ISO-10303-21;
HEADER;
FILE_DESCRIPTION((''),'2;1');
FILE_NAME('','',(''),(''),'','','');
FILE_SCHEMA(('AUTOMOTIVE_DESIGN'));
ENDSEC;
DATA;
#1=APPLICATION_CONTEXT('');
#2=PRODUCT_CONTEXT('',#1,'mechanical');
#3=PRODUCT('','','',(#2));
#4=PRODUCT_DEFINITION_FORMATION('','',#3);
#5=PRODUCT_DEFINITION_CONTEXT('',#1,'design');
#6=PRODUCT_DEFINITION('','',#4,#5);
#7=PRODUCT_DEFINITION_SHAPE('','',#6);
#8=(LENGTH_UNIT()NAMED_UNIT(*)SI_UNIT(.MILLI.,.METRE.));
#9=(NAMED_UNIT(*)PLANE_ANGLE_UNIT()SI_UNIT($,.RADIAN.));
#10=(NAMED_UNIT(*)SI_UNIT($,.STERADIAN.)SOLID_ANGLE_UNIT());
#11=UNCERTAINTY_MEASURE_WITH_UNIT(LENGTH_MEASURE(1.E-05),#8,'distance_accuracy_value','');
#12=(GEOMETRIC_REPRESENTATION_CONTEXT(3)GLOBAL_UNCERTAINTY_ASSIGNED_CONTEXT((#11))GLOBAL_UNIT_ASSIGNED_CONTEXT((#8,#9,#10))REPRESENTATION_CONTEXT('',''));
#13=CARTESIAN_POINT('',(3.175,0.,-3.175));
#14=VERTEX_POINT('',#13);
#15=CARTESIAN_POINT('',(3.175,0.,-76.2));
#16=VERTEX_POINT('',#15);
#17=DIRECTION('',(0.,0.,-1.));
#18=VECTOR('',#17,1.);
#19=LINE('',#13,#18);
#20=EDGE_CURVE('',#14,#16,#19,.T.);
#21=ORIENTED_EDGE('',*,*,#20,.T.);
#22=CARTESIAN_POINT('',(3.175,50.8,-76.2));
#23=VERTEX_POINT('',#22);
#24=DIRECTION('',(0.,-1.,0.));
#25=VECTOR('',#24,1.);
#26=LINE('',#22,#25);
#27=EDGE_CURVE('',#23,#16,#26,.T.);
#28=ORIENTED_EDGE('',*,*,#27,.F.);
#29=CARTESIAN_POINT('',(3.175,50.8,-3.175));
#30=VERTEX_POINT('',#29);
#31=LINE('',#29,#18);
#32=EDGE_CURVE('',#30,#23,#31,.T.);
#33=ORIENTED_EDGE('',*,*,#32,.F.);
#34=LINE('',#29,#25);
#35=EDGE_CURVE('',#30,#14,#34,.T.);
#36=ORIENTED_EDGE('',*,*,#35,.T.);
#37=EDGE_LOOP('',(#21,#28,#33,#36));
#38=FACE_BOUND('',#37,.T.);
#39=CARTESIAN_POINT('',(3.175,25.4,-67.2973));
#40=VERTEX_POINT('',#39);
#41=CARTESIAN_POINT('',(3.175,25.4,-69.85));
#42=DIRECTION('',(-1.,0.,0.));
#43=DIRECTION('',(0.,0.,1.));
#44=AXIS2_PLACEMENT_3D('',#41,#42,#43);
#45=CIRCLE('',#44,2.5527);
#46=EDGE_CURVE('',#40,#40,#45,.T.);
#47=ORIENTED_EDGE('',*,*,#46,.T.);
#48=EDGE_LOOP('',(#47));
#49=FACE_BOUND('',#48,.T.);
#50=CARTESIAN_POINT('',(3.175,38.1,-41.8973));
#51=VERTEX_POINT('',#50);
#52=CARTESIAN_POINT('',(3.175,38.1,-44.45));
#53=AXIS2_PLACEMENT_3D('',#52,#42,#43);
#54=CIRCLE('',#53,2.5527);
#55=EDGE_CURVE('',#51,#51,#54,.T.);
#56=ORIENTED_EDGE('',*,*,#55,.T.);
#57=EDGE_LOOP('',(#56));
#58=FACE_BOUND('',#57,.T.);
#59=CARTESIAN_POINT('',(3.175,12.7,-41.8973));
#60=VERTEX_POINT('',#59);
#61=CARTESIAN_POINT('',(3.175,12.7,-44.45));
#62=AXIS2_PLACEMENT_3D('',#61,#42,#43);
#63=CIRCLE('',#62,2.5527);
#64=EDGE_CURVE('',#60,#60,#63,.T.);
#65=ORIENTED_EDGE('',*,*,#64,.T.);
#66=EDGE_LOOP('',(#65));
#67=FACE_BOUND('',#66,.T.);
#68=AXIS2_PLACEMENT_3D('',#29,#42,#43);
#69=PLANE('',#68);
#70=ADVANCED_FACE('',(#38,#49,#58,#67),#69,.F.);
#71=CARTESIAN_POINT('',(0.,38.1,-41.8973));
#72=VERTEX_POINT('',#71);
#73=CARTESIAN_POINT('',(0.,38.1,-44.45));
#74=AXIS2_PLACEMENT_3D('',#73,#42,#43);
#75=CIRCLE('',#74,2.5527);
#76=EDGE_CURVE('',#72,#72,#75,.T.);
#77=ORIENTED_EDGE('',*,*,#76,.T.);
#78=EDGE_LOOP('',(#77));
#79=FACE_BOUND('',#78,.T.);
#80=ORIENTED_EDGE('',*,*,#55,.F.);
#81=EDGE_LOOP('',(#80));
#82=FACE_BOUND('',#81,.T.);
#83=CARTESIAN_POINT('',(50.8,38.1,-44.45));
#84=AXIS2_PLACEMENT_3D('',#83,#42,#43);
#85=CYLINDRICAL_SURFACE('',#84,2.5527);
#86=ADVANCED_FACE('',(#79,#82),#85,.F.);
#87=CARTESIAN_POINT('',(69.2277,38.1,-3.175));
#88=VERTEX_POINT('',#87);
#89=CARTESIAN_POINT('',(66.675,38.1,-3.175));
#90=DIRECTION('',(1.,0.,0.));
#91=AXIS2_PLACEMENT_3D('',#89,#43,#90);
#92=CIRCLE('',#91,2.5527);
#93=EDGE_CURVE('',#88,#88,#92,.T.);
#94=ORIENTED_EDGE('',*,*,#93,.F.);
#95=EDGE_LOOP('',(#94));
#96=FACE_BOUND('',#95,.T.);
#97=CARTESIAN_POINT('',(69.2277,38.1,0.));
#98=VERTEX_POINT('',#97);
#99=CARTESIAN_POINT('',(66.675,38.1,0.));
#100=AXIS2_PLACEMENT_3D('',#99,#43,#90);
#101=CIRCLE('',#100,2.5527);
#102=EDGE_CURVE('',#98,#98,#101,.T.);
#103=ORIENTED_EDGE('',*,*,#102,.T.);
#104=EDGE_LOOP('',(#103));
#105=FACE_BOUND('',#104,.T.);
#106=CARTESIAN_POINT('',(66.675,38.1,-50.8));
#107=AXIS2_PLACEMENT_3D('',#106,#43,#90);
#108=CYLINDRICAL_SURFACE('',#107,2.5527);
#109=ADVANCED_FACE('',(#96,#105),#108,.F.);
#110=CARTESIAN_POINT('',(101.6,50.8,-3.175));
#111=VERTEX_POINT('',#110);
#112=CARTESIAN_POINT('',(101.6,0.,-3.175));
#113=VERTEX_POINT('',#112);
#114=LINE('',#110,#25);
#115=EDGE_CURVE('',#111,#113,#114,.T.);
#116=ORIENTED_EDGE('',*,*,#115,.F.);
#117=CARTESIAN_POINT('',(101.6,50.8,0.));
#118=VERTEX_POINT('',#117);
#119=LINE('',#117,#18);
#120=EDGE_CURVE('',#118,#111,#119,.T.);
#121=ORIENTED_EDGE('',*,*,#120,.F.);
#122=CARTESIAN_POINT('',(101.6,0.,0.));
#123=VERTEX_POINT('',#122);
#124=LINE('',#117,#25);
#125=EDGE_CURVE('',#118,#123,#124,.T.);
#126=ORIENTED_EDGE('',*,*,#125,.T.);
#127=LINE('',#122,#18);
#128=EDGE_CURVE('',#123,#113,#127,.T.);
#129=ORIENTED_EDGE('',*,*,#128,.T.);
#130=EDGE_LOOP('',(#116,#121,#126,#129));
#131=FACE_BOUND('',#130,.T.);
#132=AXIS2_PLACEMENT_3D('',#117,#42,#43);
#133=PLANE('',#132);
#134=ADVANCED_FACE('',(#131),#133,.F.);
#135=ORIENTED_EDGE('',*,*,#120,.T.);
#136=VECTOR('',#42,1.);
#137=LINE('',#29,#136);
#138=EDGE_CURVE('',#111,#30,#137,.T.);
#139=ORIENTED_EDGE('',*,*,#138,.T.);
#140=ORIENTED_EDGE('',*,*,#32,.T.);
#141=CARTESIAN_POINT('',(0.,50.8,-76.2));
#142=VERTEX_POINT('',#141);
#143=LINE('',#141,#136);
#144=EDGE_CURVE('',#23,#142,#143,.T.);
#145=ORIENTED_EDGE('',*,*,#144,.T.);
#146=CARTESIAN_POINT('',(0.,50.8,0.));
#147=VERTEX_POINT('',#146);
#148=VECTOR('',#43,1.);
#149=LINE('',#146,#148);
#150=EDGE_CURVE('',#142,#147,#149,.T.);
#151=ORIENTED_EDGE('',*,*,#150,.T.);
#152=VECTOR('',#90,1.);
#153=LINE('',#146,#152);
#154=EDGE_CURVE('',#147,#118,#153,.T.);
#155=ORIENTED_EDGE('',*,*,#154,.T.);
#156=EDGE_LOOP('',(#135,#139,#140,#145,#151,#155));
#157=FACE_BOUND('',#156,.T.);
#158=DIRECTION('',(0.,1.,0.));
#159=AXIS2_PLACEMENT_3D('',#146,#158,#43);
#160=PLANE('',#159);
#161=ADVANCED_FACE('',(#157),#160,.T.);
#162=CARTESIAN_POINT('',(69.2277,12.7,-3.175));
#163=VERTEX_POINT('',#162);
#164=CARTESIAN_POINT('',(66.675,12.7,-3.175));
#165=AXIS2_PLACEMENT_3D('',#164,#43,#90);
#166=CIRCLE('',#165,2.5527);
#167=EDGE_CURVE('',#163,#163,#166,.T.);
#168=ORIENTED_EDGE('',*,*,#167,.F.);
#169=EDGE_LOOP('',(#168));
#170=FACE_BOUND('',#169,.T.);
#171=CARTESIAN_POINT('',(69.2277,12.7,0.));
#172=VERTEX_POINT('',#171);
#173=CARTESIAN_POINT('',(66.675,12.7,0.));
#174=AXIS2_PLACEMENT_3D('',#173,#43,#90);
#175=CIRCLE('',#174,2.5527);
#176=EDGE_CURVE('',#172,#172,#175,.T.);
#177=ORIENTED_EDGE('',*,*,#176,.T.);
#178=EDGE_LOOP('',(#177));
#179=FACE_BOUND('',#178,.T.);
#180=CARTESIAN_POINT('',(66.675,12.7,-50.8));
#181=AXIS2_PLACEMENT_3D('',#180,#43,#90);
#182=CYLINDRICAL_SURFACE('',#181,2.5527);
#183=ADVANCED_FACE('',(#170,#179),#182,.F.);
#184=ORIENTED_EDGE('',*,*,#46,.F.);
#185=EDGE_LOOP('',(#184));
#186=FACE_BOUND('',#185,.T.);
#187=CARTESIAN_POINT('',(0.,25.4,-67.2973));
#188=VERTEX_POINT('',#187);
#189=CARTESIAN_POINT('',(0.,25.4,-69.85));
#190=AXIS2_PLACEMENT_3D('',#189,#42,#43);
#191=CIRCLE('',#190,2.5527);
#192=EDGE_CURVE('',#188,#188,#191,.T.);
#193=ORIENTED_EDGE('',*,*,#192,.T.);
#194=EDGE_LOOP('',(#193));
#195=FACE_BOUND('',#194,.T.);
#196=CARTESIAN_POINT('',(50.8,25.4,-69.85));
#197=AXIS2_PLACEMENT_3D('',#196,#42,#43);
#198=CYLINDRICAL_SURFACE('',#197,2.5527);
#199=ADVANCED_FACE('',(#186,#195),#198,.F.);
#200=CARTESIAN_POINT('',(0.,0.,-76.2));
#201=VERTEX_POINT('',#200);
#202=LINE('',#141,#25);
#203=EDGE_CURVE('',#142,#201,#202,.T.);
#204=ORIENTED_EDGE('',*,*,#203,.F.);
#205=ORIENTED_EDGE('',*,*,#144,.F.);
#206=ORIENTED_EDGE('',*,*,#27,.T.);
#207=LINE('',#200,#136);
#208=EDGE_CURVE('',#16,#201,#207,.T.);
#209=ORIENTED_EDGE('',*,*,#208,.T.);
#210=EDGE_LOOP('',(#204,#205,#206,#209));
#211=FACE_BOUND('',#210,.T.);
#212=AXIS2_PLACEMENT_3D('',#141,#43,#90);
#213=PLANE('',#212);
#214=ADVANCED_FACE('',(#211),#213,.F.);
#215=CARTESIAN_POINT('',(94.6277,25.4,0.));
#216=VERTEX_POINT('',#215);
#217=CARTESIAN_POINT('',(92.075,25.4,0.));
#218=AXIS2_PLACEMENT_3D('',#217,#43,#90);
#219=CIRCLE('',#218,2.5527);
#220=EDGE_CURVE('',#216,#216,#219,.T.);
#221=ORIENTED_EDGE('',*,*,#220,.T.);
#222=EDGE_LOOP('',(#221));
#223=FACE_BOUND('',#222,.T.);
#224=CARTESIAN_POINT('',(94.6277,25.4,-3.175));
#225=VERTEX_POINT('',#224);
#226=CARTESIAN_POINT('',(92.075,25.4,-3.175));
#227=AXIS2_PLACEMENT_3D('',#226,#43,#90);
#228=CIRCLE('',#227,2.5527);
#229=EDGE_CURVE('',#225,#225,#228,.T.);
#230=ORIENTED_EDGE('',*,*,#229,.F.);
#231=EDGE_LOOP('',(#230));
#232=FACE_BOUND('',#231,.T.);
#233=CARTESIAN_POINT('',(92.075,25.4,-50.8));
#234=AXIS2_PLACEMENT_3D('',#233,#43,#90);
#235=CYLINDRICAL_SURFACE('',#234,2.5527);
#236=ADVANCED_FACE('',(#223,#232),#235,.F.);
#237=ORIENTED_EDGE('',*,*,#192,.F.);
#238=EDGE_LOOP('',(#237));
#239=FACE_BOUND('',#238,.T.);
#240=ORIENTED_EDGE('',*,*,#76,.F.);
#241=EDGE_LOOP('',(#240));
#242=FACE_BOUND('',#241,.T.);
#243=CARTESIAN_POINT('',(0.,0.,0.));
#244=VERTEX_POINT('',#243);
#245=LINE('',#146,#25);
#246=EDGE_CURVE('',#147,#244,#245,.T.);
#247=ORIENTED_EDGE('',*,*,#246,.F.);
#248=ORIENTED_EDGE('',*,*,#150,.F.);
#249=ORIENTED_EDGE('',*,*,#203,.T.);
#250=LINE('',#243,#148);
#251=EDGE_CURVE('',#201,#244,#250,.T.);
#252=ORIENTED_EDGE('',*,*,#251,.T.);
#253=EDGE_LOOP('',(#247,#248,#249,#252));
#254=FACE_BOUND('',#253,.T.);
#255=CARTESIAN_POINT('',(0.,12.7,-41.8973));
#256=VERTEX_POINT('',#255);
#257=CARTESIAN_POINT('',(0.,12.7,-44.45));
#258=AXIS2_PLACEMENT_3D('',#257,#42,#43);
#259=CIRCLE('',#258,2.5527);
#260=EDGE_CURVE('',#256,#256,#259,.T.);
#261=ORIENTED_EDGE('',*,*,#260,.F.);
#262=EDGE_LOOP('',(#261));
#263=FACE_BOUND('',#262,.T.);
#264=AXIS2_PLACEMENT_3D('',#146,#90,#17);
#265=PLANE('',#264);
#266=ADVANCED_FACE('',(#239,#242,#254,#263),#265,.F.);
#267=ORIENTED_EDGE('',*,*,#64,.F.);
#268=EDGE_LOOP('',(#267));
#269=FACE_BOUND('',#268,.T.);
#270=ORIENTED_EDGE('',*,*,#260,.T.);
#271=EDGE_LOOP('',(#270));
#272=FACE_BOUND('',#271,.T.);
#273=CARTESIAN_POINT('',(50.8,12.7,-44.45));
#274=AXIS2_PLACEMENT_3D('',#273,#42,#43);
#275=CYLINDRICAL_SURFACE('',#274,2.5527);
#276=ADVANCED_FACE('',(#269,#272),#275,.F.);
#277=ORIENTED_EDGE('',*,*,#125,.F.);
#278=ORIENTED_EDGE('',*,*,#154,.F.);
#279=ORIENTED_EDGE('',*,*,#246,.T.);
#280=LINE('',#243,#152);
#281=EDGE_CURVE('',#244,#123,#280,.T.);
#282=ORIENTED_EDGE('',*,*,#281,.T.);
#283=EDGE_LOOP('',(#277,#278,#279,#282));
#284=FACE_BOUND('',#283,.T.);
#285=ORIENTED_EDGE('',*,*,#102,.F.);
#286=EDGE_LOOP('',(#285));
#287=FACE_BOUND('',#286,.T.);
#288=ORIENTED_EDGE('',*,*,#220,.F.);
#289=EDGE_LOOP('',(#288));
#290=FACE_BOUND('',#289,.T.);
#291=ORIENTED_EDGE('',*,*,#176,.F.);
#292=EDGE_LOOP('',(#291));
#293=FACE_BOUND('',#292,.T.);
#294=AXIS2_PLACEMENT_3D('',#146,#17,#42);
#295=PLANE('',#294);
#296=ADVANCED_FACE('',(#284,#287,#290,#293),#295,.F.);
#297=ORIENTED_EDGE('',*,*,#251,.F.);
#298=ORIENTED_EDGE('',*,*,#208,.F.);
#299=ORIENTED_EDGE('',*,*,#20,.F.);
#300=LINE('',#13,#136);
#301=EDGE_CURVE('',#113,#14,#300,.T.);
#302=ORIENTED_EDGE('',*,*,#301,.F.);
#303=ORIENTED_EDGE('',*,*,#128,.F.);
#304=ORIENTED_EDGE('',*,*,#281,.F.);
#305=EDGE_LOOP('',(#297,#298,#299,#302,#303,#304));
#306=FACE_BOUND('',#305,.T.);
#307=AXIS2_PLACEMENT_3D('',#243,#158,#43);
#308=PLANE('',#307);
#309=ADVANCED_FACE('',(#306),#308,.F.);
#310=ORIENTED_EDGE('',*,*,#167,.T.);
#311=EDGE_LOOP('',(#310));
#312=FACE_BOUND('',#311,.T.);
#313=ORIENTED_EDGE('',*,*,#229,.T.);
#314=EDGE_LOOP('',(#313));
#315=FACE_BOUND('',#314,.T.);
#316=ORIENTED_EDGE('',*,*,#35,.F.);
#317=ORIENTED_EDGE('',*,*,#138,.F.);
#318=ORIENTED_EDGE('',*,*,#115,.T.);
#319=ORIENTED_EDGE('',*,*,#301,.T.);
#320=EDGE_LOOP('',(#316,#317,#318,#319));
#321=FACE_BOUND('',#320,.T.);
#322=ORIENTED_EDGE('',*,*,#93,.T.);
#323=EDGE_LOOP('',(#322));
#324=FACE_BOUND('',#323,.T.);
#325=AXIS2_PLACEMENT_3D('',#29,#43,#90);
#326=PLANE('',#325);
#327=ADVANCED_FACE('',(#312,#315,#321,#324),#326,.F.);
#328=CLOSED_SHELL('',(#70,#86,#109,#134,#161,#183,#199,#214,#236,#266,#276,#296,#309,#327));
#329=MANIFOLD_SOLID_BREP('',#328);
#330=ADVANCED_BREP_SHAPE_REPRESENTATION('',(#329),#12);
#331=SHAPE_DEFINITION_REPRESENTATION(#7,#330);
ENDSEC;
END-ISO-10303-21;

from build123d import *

# Parameters (mm, degrees)
BOSS_EXTRUDE1_DEPTH = 50.8
SKETCH2_R           = 2.5527
CUT_EXTRUDE1_DEPTH  = 50.8
SKETCH3_R           = 2.5527
CUT_EXTRUDE2_DEPTH  = 50.8


with BuildPart() as part:
    # Sketch1 → Boss-Extrude1 (new body)
    with BuildSketch(Plane(origin=(0, 0, 0), x_dir=(1, 0, 0), z_dir=(0, 1, 0))):
        Polygon((0, 0), (0, 76.2), (3.175, 76.2), (3.175, 3.175), (101.6, 3.175), (101.6, 0), align=None)
    extrude(amount=BOSS_EXTRUDE1_DEPTH)

    # Sketch2 → Cut-Extrude1 (cut)
    with BuildSketch(Plane.XY):
        with Locations((92.075, 25.4)):
            Circle(SKETCH2_R)
        with Locations((66.675, 38.1)):
            Circle(SKETCH2_R)
        with Locations((66.675, 12.7)):
            Circle(SKETCH2_R)
    extrude(amount=-CUT_EXTRUDE1_DEPTH, mode=Mode.SUBTRACT)

    # Sketch3 → Cut-Extrude2 (cut)
    with BuildSketch(Plane.ZY):
        with Locations((-69.85, 25.4)):
            Circle(SKETCH3_R)
        with Locations((-44.45, 38.1)):
            Circle(SKETCH3_R)
        with Locations((-44.45, 12.7)):
            Circle(SKETCH3_R)
    extrude(amount=-CUT_EXTRUDE2_DEPTH, mode=Mode.SUBTRACT)


solid = part.part
